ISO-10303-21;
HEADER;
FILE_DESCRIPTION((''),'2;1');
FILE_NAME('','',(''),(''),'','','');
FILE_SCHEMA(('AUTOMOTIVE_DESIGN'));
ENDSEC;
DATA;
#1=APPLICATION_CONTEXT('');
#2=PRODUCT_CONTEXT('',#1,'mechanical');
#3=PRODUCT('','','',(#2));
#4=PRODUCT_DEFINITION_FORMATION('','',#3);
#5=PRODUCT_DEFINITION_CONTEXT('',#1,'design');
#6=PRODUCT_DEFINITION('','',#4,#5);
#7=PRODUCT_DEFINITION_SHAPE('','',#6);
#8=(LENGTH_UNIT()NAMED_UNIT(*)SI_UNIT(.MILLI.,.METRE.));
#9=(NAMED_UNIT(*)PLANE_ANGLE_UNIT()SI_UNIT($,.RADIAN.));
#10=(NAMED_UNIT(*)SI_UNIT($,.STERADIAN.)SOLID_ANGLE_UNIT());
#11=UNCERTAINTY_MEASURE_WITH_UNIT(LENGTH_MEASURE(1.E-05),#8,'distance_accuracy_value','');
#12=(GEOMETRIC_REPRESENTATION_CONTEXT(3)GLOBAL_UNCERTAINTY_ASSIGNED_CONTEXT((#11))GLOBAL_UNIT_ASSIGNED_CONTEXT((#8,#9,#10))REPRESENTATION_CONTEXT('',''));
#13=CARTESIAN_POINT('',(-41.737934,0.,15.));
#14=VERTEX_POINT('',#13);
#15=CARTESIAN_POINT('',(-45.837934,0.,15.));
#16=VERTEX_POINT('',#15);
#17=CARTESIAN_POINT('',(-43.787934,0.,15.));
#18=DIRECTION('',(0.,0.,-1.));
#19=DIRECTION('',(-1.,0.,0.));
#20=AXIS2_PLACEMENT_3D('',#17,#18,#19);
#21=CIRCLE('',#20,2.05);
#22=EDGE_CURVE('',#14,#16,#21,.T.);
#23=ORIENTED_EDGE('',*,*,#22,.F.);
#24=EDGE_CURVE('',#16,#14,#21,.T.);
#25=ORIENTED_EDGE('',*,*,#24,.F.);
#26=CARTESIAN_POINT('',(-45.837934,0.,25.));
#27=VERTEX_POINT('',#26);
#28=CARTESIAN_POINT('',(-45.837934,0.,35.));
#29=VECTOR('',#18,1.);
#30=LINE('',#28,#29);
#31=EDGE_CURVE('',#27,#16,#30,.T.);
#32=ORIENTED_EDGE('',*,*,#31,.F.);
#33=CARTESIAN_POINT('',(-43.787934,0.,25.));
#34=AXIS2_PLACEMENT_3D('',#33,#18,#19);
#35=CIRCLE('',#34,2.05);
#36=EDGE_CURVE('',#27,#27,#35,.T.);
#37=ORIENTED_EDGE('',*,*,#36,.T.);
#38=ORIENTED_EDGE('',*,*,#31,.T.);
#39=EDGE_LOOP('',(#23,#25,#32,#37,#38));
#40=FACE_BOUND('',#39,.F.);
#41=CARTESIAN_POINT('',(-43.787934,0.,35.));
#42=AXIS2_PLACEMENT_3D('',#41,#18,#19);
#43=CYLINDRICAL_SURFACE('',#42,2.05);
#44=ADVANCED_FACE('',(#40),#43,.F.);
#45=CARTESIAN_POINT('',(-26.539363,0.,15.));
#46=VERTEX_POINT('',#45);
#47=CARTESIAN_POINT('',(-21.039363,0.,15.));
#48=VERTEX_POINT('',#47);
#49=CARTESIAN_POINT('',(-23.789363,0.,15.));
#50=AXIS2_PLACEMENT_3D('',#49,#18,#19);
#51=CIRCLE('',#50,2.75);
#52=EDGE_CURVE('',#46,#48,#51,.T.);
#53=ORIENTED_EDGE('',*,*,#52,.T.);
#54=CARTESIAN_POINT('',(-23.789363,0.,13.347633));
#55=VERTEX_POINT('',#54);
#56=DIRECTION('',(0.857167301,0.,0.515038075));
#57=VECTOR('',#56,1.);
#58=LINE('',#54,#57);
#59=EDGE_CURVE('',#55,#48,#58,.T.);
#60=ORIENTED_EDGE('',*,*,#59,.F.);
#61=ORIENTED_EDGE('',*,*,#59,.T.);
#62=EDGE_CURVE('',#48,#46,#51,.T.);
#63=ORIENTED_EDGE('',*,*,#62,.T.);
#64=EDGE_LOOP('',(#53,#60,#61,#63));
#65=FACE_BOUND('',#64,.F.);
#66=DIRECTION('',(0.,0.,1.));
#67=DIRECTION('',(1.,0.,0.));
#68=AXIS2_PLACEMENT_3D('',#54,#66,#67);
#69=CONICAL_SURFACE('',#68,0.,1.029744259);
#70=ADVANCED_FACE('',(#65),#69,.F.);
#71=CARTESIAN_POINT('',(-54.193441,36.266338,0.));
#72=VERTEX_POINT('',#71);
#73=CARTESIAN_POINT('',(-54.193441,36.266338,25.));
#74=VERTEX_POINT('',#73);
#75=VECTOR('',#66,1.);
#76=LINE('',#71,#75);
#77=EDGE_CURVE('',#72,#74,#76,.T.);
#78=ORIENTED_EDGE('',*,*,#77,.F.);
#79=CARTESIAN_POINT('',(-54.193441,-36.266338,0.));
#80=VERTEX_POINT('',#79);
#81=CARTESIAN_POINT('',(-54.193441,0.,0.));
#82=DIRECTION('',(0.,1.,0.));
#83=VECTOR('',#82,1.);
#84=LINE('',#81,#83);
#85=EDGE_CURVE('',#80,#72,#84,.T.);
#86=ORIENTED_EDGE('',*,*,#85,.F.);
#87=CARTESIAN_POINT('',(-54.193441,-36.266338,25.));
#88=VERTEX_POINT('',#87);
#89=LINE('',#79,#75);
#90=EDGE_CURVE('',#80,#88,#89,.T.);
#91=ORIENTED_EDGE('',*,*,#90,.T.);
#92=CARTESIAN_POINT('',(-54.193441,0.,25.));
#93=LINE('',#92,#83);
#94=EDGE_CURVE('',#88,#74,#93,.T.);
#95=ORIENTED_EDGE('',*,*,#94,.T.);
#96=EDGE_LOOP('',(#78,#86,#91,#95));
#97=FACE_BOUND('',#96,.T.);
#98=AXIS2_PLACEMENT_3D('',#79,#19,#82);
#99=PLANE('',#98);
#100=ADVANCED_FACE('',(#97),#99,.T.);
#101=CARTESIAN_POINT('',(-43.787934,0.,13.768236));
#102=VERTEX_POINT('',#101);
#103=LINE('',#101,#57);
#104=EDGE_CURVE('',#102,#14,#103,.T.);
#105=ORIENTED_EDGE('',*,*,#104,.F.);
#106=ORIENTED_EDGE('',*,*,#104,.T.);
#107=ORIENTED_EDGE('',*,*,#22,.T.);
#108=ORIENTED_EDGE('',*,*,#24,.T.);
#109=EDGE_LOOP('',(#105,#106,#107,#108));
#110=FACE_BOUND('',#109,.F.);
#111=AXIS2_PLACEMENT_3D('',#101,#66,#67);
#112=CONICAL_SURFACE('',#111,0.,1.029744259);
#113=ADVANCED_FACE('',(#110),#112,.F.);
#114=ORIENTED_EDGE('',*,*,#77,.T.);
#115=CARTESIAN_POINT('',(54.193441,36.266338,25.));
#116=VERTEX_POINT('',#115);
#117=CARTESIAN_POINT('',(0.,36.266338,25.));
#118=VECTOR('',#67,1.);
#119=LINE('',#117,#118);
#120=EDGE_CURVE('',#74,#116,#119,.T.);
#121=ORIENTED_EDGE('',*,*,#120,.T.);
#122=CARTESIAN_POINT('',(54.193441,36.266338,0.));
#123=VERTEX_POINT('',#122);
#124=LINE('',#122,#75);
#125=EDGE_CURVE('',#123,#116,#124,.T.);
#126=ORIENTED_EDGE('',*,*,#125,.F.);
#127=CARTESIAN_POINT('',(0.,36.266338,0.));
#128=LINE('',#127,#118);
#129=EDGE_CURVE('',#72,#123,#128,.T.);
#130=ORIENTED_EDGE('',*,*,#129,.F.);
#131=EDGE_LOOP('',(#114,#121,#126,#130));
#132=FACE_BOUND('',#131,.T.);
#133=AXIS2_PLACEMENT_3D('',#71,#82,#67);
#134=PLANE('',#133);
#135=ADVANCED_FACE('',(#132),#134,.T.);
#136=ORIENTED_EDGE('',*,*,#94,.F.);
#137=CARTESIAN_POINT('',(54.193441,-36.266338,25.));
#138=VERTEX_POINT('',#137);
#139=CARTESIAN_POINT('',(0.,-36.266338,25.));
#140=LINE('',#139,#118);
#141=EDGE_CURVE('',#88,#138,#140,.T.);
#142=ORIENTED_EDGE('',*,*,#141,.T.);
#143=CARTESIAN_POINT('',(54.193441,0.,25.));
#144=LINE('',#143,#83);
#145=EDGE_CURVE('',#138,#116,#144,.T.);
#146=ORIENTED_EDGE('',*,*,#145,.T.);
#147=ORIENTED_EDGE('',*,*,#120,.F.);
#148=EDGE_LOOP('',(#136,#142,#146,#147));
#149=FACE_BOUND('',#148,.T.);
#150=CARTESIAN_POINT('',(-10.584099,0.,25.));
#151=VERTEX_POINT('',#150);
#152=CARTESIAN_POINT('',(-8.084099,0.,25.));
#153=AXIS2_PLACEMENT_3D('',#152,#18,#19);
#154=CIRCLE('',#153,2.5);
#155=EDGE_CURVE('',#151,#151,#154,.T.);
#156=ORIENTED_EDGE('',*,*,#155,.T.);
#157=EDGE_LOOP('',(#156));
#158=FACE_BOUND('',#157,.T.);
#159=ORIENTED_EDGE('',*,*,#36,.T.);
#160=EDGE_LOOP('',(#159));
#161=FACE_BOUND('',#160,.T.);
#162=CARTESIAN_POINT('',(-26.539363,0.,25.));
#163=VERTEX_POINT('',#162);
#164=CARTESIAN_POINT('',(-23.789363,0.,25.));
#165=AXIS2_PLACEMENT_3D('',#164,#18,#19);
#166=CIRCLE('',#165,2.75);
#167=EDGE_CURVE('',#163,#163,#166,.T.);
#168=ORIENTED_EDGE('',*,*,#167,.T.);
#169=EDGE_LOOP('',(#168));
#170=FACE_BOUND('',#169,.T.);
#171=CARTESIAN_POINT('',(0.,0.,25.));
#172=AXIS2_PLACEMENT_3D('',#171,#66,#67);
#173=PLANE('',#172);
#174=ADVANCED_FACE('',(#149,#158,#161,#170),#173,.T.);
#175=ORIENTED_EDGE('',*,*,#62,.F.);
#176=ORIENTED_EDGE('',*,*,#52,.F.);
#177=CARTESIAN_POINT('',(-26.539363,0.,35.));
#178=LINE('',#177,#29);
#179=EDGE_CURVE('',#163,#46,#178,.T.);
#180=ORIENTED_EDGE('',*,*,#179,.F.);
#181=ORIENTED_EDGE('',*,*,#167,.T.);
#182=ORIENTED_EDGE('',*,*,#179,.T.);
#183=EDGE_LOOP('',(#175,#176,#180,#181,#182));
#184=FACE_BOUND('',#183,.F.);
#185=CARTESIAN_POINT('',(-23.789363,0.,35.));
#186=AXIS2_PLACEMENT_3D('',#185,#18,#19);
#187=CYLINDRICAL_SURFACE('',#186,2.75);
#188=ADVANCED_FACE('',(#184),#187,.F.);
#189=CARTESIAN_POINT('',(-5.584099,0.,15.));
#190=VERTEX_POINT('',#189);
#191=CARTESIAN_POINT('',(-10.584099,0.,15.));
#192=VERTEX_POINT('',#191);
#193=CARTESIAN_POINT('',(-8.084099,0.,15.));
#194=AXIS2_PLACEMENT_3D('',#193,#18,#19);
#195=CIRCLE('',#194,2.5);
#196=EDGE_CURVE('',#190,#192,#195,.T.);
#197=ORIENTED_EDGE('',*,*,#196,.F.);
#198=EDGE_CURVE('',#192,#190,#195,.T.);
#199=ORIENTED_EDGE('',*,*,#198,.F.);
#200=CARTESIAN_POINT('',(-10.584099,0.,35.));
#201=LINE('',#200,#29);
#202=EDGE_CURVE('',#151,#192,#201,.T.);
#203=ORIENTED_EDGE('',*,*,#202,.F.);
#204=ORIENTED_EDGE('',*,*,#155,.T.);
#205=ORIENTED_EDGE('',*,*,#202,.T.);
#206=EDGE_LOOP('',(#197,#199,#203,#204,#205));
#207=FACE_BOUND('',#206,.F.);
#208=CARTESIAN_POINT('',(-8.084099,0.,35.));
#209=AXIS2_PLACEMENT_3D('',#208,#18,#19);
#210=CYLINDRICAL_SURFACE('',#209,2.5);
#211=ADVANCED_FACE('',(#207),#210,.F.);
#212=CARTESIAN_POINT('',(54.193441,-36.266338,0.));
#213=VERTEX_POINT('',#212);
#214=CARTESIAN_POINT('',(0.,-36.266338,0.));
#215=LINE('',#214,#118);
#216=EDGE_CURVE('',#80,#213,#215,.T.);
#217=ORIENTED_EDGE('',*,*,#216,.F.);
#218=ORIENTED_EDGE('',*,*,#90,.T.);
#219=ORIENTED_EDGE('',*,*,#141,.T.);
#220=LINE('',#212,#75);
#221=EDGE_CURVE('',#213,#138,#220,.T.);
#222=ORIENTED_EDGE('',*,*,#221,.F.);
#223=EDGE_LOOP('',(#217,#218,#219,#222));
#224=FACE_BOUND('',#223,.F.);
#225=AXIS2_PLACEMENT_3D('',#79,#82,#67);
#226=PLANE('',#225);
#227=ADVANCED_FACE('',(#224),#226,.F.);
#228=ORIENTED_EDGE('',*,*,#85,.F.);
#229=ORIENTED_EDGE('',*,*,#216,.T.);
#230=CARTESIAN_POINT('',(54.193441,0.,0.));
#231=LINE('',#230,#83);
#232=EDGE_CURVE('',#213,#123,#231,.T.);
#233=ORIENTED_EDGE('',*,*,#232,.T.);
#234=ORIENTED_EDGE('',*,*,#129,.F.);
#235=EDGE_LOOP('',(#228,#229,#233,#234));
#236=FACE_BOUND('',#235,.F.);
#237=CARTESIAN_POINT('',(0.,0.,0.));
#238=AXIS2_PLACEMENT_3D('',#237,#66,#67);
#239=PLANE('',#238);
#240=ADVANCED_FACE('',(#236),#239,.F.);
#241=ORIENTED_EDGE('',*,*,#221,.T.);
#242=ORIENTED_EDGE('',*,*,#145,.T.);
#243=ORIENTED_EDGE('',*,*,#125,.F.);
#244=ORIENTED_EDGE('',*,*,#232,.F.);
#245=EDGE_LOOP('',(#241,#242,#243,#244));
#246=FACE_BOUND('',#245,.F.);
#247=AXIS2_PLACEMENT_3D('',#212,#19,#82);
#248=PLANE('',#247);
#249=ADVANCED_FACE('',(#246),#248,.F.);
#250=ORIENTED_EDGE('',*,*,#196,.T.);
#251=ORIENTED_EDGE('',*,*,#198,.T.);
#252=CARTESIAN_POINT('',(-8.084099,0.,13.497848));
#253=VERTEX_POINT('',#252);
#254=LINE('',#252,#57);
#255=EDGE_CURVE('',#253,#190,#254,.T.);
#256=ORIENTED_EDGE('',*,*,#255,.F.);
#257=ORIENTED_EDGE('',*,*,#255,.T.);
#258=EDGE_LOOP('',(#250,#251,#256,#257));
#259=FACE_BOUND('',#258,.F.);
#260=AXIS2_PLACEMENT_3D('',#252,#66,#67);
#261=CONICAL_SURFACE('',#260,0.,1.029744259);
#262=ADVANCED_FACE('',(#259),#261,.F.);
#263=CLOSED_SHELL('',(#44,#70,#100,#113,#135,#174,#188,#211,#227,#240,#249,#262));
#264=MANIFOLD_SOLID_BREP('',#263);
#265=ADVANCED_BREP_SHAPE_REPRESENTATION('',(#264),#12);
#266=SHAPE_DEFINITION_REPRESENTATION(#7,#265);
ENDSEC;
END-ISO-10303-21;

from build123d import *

# Parameters (mm, degrees)
F0_W     = 108.3868816495
F0_H     = 72.5326761603
F1_DEPTH = 25
F3_D     = 4.1
F3_DEPTH = 10
F3_TIP   = 1.231764269
F4_D     = 5.5
F4_DEPTH = 10
F4_TIP   = 1.6523667023
F5_D     = 5
F5_DEPTH = 10
F5_TIP   = 1.5021515476


with BuildPart() as f1:
    # F0 (on Top) → F1 (new body)
    with BuildSketch(Plane.XY):
        Rectangle(F0_W, F0_H)
    extrude(amount=F1_DEPTH)

    # F3
    with Locations(Plane.XY.offset(25)):
        with Locations((-43.7879338861, 0)):
            Hole(F3_D / 2, depth=F3_DEPTH)
            with Locations((0, 0, -(F3_DEPTH + F3_TIP / 2))):  # 118° drill point
                Cone(0, F3_D / 2, F3_TIP, mode=Mode.SUBTRACT)

    # F4
    with Locations(Plane.XY.offset(25)):
        with Locations((-23.7893629819, 0)):
            Hole(F4_D / 2, depth=F4_DEPTH)
            with Locations((0, 0, -(F4_DEPTH + F4_TIP / 2))):  # 118° drill point
                Cone(0, F4_D / 2, F4_TIP, mode=Mode.SUBTRACT)

    # F5
    with Locations(Plane.XY.offset(25)):
        with Locations((-8.0840988085, 0)):
            Hole(F5_D / 2, depth=F5_DEPTH)
            with Locations((0, 0, -(F5_DEPTH + F5_TIP / 2))):  # 118° drill point
                Cone(0, F5_D / 2, F5_TIP, mode=Mode.SUBTRACT)


solid = f1.part
